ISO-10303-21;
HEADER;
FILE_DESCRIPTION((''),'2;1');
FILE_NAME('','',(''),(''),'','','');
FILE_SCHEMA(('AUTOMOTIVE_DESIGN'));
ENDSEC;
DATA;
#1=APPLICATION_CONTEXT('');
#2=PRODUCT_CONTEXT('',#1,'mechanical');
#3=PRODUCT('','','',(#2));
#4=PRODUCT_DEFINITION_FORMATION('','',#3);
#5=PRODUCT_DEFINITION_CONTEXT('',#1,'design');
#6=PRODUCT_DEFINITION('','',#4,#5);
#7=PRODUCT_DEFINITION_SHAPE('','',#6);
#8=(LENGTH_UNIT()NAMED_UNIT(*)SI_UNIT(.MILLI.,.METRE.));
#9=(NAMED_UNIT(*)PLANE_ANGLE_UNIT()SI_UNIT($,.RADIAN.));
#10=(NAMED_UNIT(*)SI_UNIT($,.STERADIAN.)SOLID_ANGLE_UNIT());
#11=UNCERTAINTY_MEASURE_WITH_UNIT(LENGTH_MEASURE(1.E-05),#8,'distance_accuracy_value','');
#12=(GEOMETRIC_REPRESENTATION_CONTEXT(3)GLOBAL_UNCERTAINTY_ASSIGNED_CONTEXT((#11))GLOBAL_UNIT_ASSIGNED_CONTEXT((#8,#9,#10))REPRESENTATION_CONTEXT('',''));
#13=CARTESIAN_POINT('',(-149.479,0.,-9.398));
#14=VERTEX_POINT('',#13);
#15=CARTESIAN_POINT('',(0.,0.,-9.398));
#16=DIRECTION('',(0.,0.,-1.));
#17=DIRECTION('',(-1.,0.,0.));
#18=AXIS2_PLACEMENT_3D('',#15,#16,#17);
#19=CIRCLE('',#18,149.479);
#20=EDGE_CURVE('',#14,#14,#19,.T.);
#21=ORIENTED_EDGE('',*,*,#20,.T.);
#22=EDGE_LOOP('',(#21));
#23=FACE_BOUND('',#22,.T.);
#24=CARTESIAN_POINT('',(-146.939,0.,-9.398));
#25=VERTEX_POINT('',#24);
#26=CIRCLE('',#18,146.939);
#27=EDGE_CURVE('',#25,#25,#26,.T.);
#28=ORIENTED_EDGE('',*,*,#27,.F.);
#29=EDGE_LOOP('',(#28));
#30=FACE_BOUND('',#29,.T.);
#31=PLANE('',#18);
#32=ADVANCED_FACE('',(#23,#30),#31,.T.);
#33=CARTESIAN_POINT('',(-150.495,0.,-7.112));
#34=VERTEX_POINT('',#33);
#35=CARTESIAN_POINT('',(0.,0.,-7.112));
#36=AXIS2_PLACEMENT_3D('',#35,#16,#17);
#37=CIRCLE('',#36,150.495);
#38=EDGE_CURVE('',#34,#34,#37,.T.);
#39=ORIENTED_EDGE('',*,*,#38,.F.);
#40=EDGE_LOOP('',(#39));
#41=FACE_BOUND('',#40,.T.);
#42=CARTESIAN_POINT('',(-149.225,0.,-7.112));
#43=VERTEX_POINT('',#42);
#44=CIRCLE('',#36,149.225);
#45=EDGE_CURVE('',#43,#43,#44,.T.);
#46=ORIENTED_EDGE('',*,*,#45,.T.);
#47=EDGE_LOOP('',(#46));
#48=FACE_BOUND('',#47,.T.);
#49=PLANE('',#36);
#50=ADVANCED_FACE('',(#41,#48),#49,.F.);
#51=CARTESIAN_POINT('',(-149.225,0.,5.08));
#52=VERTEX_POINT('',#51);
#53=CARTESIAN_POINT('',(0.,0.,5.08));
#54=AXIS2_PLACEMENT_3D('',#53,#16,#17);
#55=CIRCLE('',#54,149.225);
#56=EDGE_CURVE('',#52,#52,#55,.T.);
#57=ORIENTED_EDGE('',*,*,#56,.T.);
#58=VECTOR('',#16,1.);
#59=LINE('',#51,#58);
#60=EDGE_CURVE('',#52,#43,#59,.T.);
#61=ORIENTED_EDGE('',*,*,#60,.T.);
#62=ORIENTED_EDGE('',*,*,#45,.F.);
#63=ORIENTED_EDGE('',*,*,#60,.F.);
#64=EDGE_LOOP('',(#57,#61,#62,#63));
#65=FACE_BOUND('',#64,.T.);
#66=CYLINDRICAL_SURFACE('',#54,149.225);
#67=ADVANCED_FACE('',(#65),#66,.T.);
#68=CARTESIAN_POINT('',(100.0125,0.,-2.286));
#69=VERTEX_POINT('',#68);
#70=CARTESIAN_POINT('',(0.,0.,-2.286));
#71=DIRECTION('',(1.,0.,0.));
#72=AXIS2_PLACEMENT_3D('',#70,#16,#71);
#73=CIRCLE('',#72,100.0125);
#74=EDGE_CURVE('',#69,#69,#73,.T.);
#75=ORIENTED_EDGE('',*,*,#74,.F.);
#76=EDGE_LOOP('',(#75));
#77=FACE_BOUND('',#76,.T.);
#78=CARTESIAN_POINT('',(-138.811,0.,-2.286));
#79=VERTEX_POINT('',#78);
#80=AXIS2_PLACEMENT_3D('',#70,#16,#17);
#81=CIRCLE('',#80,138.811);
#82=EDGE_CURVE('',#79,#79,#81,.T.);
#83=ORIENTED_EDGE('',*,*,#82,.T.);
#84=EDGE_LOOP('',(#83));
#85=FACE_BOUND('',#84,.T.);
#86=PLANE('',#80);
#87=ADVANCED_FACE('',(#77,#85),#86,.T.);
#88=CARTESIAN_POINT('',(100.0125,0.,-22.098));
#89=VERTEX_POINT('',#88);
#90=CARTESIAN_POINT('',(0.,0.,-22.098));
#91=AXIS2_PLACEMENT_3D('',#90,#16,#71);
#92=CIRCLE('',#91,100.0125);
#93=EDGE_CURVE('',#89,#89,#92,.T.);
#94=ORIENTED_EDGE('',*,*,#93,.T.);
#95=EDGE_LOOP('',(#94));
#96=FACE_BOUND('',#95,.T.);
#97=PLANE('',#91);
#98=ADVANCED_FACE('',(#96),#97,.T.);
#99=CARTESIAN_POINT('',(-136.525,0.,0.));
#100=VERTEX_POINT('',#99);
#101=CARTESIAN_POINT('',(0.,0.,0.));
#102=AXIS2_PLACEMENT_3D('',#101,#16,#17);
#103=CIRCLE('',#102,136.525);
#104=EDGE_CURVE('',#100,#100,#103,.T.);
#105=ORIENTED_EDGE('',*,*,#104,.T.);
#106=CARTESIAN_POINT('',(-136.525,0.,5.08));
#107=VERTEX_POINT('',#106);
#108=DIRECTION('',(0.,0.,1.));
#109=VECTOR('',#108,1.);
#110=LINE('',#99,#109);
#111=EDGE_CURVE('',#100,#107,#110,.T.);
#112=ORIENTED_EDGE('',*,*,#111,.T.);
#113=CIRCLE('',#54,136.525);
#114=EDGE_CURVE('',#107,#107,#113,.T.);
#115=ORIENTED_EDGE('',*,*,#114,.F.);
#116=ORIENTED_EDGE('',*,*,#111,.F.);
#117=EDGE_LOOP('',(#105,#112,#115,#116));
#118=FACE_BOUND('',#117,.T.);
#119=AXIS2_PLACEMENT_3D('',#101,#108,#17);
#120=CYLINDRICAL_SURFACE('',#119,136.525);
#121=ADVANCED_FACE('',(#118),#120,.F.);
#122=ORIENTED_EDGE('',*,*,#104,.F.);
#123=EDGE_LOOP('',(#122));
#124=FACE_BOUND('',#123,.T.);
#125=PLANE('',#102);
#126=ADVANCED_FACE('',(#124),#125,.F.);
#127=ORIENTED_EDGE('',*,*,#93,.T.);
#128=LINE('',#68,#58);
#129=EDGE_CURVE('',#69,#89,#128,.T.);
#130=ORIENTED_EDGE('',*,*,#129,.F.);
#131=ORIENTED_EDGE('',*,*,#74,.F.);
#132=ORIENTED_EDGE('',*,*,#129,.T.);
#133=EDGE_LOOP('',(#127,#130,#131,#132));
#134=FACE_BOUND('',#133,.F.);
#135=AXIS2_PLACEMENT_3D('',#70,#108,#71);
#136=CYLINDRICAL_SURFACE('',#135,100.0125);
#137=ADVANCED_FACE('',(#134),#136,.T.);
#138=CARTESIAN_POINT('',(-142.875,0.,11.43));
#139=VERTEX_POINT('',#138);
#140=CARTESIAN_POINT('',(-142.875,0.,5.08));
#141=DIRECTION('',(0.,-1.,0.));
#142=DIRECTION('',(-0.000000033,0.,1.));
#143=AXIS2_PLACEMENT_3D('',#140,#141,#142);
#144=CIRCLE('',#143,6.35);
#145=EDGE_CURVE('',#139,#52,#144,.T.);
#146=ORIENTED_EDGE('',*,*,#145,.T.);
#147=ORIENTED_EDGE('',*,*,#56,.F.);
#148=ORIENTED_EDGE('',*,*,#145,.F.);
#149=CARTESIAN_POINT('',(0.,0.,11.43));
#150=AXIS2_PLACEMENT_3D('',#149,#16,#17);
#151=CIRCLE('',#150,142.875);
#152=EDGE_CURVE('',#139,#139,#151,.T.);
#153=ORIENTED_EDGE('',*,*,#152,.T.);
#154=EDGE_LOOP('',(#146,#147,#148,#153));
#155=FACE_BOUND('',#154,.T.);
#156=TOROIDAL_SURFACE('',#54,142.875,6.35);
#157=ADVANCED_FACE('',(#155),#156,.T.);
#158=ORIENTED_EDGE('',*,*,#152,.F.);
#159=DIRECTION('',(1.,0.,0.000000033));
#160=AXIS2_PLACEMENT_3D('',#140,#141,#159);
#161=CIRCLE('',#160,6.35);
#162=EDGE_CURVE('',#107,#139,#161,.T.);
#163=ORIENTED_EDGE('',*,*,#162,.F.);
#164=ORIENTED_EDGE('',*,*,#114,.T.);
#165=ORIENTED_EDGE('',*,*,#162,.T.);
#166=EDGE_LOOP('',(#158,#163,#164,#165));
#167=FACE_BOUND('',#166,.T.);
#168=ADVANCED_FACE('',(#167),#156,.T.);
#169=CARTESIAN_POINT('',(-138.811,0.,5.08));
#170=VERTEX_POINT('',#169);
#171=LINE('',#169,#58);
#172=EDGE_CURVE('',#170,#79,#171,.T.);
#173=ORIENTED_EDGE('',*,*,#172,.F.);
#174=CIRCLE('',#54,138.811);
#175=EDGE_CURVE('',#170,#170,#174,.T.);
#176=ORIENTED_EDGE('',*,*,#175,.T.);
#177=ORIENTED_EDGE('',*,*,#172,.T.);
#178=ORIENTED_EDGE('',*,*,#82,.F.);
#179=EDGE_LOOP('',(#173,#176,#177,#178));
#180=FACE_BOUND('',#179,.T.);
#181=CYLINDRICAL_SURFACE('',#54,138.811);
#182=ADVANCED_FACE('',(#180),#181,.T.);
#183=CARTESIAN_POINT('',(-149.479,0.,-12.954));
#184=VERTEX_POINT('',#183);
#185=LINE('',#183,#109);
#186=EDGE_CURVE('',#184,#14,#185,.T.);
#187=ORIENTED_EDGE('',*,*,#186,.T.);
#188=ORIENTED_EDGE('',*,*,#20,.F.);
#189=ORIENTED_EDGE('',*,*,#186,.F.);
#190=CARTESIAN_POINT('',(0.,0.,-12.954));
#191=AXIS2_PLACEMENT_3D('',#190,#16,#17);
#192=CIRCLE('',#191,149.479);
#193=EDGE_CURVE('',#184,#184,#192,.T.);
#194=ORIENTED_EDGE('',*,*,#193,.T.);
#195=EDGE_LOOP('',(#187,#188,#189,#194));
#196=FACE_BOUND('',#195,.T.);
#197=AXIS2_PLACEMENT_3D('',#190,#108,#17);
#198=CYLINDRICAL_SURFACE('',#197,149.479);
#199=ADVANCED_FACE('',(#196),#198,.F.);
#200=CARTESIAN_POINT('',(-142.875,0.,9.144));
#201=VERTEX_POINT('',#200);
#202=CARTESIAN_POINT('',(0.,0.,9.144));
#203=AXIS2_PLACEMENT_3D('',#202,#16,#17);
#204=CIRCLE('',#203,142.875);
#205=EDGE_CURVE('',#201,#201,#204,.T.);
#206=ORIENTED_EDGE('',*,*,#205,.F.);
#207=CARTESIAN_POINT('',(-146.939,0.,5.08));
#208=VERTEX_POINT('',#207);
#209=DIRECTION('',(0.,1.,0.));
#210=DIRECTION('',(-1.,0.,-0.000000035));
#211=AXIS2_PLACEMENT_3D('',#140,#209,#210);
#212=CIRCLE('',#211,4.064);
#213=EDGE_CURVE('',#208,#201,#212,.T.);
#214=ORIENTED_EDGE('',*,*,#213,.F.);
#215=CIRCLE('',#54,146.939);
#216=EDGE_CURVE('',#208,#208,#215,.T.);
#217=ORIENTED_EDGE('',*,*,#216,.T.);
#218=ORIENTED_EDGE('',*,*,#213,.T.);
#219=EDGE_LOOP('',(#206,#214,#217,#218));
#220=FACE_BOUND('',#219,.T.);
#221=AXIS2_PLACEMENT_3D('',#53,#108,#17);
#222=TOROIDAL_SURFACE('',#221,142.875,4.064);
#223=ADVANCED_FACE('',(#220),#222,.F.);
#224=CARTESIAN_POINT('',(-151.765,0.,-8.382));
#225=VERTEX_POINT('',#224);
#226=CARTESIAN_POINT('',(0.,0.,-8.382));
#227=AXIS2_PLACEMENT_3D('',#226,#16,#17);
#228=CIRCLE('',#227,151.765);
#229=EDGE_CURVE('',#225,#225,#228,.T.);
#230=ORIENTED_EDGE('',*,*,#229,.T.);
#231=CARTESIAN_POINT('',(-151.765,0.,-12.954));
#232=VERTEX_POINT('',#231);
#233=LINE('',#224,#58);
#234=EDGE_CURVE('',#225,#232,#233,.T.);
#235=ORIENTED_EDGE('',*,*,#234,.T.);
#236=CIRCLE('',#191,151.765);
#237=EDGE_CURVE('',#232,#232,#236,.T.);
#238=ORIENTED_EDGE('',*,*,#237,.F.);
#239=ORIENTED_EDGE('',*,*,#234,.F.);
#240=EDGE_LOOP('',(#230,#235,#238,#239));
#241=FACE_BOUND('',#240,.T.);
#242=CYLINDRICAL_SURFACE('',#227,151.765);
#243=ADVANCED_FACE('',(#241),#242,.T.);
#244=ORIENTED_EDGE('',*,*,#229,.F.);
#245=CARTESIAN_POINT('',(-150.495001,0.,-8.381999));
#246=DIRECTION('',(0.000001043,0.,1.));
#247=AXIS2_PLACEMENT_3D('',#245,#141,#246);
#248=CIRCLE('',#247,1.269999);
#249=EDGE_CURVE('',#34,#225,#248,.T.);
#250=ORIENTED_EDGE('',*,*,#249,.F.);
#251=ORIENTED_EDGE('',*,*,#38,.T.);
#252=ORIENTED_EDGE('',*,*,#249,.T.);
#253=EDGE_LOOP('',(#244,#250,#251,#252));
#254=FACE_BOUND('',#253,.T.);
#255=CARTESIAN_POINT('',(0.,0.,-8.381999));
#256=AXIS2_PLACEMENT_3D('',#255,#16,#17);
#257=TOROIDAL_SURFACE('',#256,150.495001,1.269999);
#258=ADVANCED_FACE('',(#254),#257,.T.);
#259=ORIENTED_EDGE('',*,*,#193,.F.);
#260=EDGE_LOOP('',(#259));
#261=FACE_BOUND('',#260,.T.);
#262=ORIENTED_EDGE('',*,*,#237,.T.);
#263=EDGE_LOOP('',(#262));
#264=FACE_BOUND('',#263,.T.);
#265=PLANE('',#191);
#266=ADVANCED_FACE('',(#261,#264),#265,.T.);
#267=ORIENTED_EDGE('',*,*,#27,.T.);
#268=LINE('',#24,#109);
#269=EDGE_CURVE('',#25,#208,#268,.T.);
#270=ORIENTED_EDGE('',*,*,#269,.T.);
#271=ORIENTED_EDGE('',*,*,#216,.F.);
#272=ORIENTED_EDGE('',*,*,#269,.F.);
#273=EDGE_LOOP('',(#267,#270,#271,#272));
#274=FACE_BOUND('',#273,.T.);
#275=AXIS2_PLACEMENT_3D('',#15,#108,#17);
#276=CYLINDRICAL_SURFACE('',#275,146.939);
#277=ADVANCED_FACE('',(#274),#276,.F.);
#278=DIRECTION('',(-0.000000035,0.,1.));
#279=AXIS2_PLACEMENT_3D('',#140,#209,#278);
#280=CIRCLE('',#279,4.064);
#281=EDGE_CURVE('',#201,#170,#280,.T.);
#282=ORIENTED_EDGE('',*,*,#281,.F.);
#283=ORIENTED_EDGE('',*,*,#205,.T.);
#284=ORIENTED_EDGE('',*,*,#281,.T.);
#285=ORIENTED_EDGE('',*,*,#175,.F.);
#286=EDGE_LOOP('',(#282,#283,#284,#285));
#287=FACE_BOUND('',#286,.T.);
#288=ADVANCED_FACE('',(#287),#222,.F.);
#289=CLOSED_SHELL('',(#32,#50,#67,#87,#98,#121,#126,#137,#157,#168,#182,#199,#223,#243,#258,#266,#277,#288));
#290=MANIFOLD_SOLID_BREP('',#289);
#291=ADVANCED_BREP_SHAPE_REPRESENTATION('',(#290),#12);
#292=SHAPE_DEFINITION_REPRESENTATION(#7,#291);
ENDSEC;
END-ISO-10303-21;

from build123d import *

# Parameters (mm, degrees)
F3_R     = 100.0125
F4_DEPTH = 19.812


with BuildPart() as f2:
    # F1 (on Front) → F2 (revolve)
    with BuildSketch(Plane.XZ):
        with BuildLine():
            Line((0, 0), (-136.525, 0))
            Line((-136.525, 0), (-136.525, 5.08))
            ThreePointArc((-136.525, 5.08), (-138.384872, 9.570128), (-142.875, 11.43))
            ThreePointArc((-142.875, 11.43), (-147.365128, 9.570128), (-149.225, 5.08))
            Line((-149.225, 5.08), (-149.225, -7.112))
            Line((-149.225, -7.112), (-150.495, -7.112))
            ThreePointArc((-150.495, -7.112), (-151.393026, -7.483974), (-151.765, -8.382))
            Line((-151.765, -8.382), (-151.765, -12.954))
            Line((-151.765, -12.954), (-149.479, -12.954))
            Line((-149.479, -12.954), (-149.479, -9.398))
            Line((-149.479, -9.398), (-146.939, -9.398))
            Line((-146.939, -9.398), (-146.939, 5.08))
            ThreePointArc((-146.939, 5.08), (-145.748682, 7.953682), (-142.875, 9.144))
            ThreePointArc((-142.875, 9.144), (-140.001318, 7.953682), (-138.811, 5.08))
            Line((-138.811, 5.08), (-138.811, -2.286))
            Line((-138.811, -2.286), (0, -2.286))
            Line((0, -2.286), (0, 0))
        make_face()
    revolve(axis=Axis((0, 0, 7.549494), (0, 0, -1)))

    # F3 (on face) → F4 (join)
    with BuildSketch(Plane(origin=(0, 0, -2.286), x_dir=(1, 0, 0), z_dir=(0, 0, -1))):
        Circle(F3_R)
    extrude(amount=F4_DEPTH)


solid = f2.part
